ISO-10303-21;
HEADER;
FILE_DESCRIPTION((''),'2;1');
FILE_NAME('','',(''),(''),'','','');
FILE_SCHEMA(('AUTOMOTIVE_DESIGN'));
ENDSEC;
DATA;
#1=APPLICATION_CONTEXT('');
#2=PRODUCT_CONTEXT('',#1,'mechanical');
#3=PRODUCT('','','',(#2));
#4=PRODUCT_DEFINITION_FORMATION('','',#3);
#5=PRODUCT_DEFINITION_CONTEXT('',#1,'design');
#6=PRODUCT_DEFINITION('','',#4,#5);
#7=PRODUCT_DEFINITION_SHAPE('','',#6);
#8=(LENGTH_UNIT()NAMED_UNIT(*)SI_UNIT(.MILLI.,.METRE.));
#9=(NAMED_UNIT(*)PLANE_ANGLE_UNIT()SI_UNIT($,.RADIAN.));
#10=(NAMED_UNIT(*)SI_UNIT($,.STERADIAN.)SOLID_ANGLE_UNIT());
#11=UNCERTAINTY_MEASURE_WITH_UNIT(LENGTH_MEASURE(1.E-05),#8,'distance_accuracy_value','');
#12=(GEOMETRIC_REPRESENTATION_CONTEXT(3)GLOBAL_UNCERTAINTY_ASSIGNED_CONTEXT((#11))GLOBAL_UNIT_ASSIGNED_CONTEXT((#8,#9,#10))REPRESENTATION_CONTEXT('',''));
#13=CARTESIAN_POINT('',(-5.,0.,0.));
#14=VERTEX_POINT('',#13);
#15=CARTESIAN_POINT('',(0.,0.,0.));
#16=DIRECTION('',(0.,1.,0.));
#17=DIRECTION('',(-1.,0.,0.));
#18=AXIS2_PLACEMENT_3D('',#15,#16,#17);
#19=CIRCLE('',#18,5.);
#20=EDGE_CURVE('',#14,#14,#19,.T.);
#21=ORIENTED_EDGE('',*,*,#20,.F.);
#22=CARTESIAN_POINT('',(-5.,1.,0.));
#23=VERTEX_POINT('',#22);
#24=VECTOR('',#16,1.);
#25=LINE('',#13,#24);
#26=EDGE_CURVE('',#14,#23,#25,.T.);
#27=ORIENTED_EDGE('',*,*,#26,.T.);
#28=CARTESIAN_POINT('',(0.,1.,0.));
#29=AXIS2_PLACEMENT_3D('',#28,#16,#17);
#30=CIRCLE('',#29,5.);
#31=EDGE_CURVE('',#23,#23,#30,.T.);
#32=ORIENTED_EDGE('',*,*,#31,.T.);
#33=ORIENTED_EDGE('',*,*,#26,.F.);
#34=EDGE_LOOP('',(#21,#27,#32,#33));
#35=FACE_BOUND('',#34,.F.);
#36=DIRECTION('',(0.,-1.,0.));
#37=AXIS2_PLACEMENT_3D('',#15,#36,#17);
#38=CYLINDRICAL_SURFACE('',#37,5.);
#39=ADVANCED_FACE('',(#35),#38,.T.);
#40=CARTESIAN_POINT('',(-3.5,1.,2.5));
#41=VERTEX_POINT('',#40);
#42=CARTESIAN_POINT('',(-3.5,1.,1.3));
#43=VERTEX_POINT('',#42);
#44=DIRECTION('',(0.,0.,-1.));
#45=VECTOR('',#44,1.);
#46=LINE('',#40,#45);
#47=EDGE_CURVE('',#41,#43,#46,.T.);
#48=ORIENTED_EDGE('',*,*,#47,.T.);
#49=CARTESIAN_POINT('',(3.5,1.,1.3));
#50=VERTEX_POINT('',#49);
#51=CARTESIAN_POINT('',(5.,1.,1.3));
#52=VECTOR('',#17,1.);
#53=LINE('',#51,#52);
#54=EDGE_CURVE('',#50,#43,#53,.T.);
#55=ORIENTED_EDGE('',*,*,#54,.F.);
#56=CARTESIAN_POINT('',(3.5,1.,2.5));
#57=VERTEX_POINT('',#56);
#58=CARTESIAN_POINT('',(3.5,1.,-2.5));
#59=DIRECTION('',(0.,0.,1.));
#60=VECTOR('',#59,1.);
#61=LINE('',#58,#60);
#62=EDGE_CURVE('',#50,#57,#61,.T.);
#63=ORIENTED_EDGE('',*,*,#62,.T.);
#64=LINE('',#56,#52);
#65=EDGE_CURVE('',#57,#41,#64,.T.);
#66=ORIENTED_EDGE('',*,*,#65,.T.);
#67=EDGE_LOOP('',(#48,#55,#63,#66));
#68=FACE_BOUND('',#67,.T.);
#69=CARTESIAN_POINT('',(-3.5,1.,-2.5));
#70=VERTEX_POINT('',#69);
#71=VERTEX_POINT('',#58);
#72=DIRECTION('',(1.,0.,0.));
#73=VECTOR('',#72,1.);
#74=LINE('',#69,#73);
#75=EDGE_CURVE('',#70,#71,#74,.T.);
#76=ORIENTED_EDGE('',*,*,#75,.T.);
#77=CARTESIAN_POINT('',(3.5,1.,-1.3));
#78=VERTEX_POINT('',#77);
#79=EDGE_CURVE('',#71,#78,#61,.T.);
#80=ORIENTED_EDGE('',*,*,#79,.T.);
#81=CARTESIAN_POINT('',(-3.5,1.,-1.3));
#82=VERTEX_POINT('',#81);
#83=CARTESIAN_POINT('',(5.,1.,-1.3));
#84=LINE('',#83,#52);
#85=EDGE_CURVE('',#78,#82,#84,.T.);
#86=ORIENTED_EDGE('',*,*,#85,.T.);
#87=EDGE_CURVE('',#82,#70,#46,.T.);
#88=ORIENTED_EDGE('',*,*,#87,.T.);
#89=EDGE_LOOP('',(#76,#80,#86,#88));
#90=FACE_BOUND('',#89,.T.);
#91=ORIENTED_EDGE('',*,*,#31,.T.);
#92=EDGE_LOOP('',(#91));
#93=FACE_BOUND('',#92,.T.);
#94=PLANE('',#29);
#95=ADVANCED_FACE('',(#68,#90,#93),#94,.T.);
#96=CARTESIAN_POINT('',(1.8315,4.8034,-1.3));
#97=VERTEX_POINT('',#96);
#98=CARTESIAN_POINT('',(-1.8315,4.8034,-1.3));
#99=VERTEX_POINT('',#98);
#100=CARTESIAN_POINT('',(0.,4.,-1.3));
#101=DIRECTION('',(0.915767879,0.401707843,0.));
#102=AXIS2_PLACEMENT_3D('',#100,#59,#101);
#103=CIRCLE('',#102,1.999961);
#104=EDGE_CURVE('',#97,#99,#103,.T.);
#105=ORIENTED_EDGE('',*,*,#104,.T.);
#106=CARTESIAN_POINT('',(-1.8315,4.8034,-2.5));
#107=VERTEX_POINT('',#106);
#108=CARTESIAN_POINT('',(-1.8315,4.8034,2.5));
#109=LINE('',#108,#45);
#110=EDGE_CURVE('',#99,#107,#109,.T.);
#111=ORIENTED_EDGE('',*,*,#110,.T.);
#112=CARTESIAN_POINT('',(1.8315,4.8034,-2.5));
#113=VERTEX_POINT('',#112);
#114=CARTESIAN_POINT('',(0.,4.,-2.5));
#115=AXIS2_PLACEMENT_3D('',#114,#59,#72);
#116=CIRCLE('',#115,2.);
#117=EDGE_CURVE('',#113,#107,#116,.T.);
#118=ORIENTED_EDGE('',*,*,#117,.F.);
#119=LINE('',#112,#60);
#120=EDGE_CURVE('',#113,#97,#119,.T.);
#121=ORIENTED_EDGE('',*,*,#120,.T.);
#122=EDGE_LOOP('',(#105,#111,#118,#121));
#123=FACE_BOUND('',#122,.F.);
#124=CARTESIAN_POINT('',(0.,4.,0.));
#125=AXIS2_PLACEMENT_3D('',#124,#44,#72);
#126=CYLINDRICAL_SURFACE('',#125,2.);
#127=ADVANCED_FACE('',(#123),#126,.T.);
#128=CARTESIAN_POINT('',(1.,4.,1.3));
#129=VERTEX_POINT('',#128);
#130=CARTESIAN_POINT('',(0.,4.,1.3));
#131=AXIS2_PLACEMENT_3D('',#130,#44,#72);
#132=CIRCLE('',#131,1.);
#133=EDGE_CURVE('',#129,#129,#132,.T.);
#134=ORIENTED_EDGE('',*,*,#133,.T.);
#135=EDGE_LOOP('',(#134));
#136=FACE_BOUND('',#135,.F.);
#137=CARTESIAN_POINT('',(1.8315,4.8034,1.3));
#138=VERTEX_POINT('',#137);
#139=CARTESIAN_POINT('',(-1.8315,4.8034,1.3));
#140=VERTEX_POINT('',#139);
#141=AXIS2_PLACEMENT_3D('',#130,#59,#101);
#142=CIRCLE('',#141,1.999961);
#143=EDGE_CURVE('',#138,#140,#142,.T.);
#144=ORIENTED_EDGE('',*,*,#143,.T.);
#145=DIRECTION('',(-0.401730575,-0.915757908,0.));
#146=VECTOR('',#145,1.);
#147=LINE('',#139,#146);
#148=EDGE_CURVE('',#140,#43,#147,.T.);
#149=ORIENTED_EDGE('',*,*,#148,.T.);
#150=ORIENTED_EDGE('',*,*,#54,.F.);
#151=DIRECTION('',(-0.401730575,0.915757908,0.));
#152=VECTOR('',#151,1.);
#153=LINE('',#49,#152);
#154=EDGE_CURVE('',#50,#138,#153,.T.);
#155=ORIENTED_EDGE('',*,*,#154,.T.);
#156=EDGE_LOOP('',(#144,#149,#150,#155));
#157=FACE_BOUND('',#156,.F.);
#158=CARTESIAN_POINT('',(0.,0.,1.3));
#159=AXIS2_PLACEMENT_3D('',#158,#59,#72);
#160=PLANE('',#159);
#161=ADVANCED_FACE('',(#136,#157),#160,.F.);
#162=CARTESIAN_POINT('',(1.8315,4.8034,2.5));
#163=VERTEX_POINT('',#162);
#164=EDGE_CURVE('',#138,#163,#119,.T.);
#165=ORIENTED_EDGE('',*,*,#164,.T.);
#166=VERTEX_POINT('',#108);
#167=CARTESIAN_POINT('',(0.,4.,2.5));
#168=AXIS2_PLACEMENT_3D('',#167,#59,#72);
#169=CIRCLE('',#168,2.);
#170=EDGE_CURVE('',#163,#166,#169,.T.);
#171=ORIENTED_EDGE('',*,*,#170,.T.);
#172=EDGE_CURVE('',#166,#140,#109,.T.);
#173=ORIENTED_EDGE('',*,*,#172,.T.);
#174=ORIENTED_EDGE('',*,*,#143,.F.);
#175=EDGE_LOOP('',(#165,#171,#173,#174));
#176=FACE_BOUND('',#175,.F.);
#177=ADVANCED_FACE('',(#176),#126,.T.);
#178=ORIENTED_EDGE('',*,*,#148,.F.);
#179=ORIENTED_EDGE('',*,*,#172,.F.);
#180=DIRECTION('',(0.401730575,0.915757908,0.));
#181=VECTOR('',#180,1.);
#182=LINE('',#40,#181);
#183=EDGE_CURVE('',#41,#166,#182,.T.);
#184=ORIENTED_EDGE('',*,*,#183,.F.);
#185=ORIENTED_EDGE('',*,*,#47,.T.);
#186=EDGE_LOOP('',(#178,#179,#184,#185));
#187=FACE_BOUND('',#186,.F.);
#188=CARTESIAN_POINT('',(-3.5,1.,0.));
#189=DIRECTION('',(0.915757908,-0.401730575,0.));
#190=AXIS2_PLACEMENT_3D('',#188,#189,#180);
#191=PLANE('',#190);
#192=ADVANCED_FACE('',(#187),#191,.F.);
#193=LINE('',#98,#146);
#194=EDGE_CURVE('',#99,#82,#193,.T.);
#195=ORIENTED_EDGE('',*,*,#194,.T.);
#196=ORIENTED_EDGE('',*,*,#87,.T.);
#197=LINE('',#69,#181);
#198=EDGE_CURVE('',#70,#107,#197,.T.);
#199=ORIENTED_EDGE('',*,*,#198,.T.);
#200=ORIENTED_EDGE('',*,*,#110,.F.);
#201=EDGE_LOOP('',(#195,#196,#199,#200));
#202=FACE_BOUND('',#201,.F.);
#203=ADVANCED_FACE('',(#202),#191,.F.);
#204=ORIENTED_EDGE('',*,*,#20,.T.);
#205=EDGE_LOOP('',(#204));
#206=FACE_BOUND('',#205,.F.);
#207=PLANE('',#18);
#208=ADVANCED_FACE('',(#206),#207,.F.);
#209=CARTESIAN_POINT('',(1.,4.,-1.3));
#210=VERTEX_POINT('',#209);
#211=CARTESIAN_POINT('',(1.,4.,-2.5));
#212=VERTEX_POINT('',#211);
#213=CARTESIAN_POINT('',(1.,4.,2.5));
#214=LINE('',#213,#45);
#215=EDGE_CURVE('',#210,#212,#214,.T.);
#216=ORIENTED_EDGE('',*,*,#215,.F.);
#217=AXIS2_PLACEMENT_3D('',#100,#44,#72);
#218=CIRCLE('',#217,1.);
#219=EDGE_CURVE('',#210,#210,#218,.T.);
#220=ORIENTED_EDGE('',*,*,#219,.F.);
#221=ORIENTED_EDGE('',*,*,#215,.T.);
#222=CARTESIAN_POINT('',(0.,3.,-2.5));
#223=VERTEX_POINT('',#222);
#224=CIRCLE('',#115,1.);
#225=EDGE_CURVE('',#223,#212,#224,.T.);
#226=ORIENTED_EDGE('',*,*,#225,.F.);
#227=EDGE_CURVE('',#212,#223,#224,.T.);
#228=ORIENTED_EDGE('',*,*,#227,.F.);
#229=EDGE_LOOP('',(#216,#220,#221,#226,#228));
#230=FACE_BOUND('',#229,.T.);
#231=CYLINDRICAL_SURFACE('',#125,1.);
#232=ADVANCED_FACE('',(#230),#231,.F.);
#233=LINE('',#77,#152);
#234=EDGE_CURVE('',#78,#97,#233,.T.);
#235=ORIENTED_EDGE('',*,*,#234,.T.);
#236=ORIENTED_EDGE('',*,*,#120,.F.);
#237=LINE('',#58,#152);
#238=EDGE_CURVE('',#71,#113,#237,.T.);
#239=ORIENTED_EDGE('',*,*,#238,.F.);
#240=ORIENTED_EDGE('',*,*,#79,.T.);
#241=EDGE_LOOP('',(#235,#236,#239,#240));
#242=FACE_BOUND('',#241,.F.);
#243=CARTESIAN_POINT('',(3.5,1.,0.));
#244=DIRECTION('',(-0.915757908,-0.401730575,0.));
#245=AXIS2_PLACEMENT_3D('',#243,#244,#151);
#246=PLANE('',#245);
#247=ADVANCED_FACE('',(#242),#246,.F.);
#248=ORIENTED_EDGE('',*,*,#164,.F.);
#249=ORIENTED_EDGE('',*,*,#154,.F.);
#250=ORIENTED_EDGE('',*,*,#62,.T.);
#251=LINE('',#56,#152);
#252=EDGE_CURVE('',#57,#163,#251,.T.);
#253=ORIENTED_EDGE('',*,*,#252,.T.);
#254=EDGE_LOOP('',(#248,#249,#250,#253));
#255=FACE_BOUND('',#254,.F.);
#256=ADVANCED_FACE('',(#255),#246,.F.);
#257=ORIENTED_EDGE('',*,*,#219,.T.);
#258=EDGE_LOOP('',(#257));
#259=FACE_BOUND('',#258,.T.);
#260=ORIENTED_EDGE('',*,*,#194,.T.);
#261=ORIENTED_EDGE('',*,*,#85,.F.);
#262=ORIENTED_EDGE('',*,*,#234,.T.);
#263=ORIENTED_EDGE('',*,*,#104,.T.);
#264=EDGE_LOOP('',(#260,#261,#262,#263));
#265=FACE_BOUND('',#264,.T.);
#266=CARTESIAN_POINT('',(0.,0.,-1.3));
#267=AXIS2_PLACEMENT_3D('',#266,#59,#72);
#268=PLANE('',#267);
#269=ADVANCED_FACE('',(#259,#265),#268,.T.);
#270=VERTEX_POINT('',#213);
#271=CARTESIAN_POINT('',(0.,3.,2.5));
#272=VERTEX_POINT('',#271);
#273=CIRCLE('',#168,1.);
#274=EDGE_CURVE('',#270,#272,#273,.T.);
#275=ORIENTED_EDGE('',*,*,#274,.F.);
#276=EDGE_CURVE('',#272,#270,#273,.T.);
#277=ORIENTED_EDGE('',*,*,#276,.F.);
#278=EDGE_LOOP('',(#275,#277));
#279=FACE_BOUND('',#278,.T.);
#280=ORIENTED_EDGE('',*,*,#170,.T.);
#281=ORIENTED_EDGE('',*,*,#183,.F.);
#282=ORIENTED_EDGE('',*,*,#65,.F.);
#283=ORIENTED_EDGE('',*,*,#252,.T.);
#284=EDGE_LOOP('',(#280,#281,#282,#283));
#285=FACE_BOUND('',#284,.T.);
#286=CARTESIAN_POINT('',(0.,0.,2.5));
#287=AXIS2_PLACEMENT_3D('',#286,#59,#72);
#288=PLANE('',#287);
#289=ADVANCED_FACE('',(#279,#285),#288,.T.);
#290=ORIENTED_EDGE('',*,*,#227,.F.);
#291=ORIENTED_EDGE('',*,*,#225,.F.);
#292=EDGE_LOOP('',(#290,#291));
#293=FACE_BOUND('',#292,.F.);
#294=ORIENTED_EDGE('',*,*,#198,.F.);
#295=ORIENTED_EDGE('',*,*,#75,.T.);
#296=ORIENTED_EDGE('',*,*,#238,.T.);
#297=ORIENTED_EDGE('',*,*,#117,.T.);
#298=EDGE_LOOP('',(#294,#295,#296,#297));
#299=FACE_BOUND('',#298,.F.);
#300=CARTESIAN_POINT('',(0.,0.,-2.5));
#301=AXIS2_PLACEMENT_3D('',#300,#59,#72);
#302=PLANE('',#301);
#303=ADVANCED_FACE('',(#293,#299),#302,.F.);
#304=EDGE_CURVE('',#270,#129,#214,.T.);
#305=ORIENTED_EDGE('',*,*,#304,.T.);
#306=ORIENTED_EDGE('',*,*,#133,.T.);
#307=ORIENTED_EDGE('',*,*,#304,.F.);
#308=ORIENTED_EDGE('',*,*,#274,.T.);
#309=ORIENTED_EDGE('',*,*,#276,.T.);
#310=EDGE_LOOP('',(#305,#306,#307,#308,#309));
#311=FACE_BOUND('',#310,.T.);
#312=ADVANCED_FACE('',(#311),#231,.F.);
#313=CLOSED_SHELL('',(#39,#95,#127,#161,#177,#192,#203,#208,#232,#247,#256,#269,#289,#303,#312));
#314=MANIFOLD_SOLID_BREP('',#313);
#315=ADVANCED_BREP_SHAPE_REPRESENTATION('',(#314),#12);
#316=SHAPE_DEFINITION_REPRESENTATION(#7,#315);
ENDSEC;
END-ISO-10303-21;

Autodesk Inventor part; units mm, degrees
ref_plane "YZ Plane" through (0, 0, 0) normal (1, 0, 0) x (0, 1, 0)
ref_plane "XZ Plane" through (0, 0, 0) normal (0, 1, 0) x (-1, 0, 0)
sketch "Sketch1" plane through (0, 0, 0) normal (0, 1, 0) x (-1, 0, 0)
  circle A0 centre (0, 0) radius 5
  dimension "d0" = 10
extrude "Extrusion1" add sketch "Sketch1" along normal blind 1
ref_plane "Work Plane1" through (0, 0, 0) normal (0, 0, 1) x (1, 0, 0)
sketch "Sketch2" plane through (0, 0, 0) normal (0, 0, 1) x (1, 0, 0)
  line L0 (0, 0) -> (0, 4)
  circle A0 centre (0, 4) radius 1
  circle A1 centre (0, 4) radius 2
  line L1 (5, 1) -> (-5, 1) projected
  line L2 (0, 1) -> (3.5, 1)
  line L3 (0, 1) -> (-3.5, 1)
  line L4 (-3.5, 1) -> (-1.8315, 4.8034)
  line L5 (3.5, 1) -> (1.8315, 4.8034)
  dimension "d4" = 4
  dimension "d5" = 2
  dimension "d6" = 4
  dimension "d7" = 3.5
  dimension "d8" = 3.5
extrude "Extrusion2" add sketch "Sketch2" along normal mid plane 5
sketch "Sketch3" plane through (0, 0, 0) normal (0, 0, 1) x (1, 0, 0)
  arc A0 (1.8315, 4.8034) -> (-1.8315, 4.8034) centre (0, 4) ccw projected
  circle A1 centre (0, 4) radius 1
  circle A2 centre (0, 4) radius 2
  line L0 (-1.8315, 4.8034) -> (-3.5, 1) projected
  line L1 (-1.8315, 4.8034) -> (-3.5, 1)
  line L2 (5, 1) -> (-5, 1) projected
  line L3 (3.5, 1) -> (1.8315, 4.8034) projected
  line L4 (1.8315, 4.8034) -> (3.5, 1)
  line L5 (3.5, 1) -> (-3.5, 1)
  point P0 (0, 0)
  dimension "d11" = 4
extrude "Extrusion3" cut sketch "Sketch3" along normal mid plane 2.6 contours A2 A0 | L3 L2 L0 A2 | A1
properties part number "New_Arm_plate"
